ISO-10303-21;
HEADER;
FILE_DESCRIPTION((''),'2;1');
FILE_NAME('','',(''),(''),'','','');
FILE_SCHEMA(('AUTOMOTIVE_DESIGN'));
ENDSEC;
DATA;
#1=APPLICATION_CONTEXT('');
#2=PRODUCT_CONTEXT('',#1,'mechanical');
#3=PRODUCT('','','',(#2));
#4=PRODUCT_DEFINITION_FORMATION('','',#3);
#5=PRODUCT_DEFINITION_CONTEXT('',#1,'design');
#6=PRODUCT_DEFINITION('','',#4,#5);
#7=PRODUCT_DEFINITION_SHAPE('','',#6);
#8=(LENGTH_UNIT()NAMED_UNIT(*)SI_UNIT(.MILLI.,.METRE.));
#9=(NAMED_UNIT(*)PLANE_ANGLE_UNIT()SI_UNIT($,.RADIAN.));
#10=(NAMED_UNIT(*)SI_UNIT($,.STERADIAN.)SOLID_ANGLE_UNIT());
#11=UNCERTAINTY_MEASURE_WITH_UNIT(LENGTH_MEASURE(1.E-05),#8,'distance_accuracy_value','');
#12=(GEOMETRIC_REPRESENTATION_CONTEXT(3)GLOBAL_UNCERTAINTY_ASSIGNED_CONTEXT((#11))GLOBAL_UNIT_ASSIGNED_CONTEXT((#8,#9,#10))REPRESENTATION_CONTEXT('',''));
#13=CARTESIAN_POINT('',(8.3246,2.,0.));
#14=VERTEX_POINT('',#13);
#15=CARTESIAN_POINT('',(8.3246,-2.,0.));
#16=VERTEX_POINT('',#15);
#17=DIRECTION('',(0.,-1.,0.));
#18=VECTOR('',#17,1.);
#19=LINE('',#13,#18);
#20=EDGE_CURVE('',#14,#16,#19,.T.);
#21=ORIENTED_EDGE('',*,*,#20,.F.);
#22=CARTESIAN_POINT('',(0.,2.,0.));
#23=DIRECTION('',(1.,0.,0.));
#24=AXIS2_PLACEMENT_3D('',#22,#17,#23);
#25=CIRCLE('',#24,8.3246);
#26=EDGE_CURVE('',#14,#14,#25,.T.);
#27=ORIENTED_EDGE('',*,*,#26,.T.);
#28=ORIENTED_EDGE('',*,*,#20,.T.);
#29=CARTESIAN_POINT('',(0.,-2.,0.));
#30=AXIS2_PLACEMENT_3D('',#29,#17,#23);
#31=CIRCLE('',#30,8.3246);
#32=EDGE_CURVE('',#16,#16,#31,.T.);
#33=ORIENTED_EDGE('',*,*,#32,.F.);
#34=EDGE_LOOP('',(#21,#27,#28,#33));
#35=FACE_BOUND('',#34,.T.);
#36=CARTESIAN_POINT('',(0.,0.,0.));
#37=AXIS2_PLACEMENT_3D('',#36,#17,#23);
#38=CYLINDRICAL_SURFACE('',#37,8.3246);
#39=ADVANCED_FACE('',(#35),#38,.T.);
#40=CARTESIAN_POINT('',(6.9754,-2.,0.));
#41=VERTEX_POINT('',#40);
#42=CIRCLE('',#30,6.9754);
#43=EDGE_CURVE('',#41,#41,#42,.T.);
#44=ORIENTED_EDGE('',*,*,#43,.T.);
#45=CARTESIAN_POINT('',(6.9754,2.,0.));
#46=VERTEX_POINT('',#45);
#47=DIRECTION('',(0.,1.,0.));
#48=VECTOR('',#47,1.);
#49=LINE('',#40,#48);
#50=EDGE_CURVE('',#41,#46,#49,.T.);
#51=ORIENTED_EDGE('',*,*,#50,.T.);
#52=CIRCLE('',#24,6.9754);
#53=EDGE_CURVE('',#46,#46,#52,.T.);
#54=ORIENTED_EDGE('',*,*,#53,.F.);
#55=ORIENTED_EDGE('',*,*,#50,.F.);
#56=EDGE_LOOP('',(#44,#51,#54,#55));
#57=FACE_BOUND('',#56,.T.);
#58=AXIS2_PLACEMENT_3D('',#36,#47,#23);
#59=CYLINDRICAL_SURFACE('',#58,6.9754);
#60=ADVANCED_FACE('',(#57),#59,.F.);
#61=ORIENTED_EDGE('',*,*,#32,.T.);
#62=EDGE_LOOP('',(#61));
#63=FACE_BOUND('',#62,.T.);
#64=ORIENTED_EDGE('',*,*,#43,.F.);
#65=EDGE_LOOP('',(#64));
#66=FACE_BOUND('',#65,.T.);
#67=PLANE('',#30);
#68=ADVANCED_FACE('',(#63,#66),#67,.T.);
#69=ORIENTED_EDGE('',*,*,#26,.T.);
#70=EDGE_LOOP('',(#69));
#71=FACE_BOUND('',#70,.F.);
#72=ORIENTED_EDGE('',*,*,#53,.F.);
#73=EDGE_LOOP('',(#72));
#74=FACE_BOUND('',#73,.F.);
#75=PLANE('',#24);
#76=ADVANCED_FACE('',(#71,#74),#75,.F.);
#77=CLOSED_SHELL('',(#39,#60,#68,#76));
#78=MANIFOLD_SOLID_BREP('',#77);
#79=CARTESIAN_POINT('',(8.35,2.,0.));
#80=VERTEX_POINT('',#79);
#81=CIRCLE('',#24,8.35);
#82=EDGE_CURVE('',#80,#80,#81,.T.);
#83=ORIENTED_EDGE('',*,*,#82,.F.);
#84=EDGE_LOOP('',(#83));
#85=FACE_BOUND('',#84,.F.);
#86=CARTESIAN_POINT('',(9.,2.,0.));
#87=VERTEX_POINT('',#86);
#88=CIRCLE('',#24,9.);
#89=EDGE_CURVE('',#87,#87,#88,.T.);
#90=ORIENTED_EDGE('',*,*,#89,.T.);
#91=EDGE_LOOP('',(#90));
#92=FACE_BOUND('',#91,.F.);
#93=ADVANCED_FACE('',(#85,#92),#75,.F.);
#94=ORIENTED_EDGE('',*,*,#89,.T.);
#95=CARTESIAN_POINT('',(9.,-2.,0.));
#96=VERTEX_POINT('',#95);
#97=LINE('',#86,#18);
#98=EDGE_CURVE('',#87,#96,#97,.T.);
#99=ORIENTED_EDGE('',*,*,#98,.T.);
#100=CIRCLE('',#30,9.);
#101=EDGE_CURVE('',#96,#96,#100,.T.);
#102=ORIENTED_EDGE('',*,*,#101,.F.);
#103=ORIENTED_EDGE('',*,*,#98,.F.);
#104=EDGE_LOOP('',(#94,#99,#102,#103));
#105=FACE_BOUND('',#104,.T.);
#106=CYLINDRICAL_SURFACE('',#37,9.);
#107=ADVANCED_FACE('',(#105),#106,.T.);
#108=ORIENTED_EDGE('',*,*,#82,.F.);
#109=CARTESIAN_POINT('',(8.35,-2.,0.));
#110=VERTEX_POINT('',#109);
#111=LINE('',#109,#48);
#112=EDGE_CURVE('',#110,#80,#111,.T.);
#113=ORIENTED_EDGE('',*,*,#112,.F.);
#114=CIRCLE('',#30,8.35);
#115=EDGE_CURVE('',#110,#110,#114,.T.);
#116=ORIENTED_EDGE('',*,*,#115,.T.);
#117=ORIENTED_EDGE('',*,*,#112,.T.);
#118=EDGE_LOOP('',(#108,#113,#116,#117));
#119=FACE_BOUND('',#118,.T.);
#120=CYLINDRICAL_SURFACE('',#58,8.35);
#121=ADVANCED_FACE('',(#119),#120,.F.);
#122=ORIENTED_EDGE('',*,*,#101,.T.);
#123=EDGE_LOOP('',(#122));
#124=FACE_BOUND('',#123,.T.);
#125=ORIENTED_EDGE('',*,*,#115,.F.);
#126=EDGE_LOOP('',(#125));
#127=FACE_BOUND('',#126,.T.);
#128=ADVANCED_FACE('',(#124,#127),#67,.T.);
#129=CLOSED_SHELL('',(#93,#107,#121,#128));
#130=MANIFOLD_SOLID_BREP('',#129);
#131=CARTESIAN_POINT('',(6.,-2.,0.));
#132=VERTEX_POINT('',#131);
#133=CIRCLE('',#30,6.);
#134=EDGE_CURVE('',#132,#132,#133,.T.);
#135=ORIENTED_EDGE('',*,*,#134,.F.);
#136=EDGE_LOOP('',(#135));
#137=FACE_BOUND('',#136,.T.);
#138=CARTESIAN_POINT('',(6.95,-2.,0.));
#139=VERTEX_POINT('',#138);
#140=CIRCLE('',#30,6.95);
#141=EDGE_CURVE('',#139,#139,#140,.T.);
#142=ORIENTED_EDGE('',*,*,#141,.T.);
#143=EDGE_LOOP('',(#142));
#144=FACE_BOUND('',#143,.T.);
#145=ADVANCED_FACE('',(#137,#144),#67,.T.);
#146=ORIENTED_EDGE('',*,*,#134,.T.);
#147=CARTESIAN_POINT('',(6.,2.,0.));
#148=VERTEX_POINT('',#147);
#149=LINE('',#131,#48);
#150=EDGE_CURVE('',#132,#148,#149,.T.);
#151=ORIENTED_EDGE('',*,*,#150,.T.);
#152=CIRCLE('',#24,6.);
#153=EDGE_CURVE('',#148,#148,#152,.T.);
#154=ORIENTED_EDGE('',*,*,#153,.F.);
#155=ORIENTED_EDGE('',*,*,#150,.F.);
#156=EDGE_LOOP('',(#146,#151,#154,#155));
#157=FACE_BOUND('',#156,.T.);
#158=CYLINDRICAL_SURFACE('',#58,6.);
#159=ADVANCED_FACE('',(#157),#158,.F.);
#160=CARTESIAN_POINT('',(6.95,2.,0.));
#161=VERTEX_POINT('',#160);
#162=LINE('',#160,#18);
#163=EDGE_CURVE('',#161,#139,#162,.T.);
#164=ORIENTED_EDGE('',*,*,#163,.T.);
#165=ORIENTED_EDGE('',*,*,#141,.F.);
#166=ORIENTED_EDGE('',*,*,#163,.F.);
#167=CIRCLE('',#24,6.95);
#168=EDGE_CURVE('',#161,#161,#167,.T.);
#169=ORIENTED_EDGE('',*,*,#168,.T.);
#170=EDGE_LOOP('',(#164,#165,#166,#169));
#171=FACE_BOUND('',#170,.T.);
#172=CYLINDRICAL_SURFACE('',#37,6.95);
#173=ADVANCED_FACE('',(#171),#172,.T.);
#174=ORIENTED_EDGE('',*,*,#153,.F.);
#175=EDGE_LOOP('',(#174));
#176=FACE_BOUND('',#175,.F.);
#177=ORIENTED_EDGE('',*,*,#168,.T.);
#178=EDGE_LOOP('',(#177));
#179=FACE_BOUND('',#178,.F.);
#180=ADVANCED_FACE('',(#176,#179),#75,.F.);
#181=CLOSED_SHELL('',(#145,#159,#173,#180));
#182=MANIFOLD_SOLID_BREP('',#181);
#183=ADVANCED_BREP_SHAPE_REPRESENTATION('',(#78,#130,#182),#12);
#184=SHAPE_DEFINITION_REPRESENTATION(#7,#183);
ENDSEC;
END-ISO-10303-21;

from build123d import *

# Parameters (mm, degrees)
F0_R     = 9
F0_R_2   = 8.35
F1_DEPTH = 2
F0_R_3   = 6.95
F0_R_4   = 6
F2_DEPTH = 2
F3_R     = 8.3246
F3_R_2   = 6.9754
F4_DEPTH = 2


with BuildPart() as f1:
    # F0 (on Front) → F1 (new body, symmetric)
    with BuildSketch(Plane.XZ):
        Circle(F0_R)
        Circle(F0_R_2, mode=Mode.SUBTRACT)
    extrude(amount=F1_DEPTH, both=True)


with BuildPart() as f2:
    # F0 (on Front) → F2 (new body, symmetric)
    with BuildSketch(Plane.XZ):
        Circle(F0_R_3)
        Circle(F0_R_4, mode=Mode.SUBTRACT)
    extrude(amount=F2_DEPTH, both=True)


with BuildPart() as f4:
    # F3 (on Front) → F4 (new body, symmetric)
    with BuildSketch(Plane.XZ):
        Circle(F3_R)
        Circle(F3_R_2, mode=Mode.SUBTRACT)
    extrude(amount=F4_DEPTH, both=True)


solid = Compound([f1.part, f2.part, f4.part])
